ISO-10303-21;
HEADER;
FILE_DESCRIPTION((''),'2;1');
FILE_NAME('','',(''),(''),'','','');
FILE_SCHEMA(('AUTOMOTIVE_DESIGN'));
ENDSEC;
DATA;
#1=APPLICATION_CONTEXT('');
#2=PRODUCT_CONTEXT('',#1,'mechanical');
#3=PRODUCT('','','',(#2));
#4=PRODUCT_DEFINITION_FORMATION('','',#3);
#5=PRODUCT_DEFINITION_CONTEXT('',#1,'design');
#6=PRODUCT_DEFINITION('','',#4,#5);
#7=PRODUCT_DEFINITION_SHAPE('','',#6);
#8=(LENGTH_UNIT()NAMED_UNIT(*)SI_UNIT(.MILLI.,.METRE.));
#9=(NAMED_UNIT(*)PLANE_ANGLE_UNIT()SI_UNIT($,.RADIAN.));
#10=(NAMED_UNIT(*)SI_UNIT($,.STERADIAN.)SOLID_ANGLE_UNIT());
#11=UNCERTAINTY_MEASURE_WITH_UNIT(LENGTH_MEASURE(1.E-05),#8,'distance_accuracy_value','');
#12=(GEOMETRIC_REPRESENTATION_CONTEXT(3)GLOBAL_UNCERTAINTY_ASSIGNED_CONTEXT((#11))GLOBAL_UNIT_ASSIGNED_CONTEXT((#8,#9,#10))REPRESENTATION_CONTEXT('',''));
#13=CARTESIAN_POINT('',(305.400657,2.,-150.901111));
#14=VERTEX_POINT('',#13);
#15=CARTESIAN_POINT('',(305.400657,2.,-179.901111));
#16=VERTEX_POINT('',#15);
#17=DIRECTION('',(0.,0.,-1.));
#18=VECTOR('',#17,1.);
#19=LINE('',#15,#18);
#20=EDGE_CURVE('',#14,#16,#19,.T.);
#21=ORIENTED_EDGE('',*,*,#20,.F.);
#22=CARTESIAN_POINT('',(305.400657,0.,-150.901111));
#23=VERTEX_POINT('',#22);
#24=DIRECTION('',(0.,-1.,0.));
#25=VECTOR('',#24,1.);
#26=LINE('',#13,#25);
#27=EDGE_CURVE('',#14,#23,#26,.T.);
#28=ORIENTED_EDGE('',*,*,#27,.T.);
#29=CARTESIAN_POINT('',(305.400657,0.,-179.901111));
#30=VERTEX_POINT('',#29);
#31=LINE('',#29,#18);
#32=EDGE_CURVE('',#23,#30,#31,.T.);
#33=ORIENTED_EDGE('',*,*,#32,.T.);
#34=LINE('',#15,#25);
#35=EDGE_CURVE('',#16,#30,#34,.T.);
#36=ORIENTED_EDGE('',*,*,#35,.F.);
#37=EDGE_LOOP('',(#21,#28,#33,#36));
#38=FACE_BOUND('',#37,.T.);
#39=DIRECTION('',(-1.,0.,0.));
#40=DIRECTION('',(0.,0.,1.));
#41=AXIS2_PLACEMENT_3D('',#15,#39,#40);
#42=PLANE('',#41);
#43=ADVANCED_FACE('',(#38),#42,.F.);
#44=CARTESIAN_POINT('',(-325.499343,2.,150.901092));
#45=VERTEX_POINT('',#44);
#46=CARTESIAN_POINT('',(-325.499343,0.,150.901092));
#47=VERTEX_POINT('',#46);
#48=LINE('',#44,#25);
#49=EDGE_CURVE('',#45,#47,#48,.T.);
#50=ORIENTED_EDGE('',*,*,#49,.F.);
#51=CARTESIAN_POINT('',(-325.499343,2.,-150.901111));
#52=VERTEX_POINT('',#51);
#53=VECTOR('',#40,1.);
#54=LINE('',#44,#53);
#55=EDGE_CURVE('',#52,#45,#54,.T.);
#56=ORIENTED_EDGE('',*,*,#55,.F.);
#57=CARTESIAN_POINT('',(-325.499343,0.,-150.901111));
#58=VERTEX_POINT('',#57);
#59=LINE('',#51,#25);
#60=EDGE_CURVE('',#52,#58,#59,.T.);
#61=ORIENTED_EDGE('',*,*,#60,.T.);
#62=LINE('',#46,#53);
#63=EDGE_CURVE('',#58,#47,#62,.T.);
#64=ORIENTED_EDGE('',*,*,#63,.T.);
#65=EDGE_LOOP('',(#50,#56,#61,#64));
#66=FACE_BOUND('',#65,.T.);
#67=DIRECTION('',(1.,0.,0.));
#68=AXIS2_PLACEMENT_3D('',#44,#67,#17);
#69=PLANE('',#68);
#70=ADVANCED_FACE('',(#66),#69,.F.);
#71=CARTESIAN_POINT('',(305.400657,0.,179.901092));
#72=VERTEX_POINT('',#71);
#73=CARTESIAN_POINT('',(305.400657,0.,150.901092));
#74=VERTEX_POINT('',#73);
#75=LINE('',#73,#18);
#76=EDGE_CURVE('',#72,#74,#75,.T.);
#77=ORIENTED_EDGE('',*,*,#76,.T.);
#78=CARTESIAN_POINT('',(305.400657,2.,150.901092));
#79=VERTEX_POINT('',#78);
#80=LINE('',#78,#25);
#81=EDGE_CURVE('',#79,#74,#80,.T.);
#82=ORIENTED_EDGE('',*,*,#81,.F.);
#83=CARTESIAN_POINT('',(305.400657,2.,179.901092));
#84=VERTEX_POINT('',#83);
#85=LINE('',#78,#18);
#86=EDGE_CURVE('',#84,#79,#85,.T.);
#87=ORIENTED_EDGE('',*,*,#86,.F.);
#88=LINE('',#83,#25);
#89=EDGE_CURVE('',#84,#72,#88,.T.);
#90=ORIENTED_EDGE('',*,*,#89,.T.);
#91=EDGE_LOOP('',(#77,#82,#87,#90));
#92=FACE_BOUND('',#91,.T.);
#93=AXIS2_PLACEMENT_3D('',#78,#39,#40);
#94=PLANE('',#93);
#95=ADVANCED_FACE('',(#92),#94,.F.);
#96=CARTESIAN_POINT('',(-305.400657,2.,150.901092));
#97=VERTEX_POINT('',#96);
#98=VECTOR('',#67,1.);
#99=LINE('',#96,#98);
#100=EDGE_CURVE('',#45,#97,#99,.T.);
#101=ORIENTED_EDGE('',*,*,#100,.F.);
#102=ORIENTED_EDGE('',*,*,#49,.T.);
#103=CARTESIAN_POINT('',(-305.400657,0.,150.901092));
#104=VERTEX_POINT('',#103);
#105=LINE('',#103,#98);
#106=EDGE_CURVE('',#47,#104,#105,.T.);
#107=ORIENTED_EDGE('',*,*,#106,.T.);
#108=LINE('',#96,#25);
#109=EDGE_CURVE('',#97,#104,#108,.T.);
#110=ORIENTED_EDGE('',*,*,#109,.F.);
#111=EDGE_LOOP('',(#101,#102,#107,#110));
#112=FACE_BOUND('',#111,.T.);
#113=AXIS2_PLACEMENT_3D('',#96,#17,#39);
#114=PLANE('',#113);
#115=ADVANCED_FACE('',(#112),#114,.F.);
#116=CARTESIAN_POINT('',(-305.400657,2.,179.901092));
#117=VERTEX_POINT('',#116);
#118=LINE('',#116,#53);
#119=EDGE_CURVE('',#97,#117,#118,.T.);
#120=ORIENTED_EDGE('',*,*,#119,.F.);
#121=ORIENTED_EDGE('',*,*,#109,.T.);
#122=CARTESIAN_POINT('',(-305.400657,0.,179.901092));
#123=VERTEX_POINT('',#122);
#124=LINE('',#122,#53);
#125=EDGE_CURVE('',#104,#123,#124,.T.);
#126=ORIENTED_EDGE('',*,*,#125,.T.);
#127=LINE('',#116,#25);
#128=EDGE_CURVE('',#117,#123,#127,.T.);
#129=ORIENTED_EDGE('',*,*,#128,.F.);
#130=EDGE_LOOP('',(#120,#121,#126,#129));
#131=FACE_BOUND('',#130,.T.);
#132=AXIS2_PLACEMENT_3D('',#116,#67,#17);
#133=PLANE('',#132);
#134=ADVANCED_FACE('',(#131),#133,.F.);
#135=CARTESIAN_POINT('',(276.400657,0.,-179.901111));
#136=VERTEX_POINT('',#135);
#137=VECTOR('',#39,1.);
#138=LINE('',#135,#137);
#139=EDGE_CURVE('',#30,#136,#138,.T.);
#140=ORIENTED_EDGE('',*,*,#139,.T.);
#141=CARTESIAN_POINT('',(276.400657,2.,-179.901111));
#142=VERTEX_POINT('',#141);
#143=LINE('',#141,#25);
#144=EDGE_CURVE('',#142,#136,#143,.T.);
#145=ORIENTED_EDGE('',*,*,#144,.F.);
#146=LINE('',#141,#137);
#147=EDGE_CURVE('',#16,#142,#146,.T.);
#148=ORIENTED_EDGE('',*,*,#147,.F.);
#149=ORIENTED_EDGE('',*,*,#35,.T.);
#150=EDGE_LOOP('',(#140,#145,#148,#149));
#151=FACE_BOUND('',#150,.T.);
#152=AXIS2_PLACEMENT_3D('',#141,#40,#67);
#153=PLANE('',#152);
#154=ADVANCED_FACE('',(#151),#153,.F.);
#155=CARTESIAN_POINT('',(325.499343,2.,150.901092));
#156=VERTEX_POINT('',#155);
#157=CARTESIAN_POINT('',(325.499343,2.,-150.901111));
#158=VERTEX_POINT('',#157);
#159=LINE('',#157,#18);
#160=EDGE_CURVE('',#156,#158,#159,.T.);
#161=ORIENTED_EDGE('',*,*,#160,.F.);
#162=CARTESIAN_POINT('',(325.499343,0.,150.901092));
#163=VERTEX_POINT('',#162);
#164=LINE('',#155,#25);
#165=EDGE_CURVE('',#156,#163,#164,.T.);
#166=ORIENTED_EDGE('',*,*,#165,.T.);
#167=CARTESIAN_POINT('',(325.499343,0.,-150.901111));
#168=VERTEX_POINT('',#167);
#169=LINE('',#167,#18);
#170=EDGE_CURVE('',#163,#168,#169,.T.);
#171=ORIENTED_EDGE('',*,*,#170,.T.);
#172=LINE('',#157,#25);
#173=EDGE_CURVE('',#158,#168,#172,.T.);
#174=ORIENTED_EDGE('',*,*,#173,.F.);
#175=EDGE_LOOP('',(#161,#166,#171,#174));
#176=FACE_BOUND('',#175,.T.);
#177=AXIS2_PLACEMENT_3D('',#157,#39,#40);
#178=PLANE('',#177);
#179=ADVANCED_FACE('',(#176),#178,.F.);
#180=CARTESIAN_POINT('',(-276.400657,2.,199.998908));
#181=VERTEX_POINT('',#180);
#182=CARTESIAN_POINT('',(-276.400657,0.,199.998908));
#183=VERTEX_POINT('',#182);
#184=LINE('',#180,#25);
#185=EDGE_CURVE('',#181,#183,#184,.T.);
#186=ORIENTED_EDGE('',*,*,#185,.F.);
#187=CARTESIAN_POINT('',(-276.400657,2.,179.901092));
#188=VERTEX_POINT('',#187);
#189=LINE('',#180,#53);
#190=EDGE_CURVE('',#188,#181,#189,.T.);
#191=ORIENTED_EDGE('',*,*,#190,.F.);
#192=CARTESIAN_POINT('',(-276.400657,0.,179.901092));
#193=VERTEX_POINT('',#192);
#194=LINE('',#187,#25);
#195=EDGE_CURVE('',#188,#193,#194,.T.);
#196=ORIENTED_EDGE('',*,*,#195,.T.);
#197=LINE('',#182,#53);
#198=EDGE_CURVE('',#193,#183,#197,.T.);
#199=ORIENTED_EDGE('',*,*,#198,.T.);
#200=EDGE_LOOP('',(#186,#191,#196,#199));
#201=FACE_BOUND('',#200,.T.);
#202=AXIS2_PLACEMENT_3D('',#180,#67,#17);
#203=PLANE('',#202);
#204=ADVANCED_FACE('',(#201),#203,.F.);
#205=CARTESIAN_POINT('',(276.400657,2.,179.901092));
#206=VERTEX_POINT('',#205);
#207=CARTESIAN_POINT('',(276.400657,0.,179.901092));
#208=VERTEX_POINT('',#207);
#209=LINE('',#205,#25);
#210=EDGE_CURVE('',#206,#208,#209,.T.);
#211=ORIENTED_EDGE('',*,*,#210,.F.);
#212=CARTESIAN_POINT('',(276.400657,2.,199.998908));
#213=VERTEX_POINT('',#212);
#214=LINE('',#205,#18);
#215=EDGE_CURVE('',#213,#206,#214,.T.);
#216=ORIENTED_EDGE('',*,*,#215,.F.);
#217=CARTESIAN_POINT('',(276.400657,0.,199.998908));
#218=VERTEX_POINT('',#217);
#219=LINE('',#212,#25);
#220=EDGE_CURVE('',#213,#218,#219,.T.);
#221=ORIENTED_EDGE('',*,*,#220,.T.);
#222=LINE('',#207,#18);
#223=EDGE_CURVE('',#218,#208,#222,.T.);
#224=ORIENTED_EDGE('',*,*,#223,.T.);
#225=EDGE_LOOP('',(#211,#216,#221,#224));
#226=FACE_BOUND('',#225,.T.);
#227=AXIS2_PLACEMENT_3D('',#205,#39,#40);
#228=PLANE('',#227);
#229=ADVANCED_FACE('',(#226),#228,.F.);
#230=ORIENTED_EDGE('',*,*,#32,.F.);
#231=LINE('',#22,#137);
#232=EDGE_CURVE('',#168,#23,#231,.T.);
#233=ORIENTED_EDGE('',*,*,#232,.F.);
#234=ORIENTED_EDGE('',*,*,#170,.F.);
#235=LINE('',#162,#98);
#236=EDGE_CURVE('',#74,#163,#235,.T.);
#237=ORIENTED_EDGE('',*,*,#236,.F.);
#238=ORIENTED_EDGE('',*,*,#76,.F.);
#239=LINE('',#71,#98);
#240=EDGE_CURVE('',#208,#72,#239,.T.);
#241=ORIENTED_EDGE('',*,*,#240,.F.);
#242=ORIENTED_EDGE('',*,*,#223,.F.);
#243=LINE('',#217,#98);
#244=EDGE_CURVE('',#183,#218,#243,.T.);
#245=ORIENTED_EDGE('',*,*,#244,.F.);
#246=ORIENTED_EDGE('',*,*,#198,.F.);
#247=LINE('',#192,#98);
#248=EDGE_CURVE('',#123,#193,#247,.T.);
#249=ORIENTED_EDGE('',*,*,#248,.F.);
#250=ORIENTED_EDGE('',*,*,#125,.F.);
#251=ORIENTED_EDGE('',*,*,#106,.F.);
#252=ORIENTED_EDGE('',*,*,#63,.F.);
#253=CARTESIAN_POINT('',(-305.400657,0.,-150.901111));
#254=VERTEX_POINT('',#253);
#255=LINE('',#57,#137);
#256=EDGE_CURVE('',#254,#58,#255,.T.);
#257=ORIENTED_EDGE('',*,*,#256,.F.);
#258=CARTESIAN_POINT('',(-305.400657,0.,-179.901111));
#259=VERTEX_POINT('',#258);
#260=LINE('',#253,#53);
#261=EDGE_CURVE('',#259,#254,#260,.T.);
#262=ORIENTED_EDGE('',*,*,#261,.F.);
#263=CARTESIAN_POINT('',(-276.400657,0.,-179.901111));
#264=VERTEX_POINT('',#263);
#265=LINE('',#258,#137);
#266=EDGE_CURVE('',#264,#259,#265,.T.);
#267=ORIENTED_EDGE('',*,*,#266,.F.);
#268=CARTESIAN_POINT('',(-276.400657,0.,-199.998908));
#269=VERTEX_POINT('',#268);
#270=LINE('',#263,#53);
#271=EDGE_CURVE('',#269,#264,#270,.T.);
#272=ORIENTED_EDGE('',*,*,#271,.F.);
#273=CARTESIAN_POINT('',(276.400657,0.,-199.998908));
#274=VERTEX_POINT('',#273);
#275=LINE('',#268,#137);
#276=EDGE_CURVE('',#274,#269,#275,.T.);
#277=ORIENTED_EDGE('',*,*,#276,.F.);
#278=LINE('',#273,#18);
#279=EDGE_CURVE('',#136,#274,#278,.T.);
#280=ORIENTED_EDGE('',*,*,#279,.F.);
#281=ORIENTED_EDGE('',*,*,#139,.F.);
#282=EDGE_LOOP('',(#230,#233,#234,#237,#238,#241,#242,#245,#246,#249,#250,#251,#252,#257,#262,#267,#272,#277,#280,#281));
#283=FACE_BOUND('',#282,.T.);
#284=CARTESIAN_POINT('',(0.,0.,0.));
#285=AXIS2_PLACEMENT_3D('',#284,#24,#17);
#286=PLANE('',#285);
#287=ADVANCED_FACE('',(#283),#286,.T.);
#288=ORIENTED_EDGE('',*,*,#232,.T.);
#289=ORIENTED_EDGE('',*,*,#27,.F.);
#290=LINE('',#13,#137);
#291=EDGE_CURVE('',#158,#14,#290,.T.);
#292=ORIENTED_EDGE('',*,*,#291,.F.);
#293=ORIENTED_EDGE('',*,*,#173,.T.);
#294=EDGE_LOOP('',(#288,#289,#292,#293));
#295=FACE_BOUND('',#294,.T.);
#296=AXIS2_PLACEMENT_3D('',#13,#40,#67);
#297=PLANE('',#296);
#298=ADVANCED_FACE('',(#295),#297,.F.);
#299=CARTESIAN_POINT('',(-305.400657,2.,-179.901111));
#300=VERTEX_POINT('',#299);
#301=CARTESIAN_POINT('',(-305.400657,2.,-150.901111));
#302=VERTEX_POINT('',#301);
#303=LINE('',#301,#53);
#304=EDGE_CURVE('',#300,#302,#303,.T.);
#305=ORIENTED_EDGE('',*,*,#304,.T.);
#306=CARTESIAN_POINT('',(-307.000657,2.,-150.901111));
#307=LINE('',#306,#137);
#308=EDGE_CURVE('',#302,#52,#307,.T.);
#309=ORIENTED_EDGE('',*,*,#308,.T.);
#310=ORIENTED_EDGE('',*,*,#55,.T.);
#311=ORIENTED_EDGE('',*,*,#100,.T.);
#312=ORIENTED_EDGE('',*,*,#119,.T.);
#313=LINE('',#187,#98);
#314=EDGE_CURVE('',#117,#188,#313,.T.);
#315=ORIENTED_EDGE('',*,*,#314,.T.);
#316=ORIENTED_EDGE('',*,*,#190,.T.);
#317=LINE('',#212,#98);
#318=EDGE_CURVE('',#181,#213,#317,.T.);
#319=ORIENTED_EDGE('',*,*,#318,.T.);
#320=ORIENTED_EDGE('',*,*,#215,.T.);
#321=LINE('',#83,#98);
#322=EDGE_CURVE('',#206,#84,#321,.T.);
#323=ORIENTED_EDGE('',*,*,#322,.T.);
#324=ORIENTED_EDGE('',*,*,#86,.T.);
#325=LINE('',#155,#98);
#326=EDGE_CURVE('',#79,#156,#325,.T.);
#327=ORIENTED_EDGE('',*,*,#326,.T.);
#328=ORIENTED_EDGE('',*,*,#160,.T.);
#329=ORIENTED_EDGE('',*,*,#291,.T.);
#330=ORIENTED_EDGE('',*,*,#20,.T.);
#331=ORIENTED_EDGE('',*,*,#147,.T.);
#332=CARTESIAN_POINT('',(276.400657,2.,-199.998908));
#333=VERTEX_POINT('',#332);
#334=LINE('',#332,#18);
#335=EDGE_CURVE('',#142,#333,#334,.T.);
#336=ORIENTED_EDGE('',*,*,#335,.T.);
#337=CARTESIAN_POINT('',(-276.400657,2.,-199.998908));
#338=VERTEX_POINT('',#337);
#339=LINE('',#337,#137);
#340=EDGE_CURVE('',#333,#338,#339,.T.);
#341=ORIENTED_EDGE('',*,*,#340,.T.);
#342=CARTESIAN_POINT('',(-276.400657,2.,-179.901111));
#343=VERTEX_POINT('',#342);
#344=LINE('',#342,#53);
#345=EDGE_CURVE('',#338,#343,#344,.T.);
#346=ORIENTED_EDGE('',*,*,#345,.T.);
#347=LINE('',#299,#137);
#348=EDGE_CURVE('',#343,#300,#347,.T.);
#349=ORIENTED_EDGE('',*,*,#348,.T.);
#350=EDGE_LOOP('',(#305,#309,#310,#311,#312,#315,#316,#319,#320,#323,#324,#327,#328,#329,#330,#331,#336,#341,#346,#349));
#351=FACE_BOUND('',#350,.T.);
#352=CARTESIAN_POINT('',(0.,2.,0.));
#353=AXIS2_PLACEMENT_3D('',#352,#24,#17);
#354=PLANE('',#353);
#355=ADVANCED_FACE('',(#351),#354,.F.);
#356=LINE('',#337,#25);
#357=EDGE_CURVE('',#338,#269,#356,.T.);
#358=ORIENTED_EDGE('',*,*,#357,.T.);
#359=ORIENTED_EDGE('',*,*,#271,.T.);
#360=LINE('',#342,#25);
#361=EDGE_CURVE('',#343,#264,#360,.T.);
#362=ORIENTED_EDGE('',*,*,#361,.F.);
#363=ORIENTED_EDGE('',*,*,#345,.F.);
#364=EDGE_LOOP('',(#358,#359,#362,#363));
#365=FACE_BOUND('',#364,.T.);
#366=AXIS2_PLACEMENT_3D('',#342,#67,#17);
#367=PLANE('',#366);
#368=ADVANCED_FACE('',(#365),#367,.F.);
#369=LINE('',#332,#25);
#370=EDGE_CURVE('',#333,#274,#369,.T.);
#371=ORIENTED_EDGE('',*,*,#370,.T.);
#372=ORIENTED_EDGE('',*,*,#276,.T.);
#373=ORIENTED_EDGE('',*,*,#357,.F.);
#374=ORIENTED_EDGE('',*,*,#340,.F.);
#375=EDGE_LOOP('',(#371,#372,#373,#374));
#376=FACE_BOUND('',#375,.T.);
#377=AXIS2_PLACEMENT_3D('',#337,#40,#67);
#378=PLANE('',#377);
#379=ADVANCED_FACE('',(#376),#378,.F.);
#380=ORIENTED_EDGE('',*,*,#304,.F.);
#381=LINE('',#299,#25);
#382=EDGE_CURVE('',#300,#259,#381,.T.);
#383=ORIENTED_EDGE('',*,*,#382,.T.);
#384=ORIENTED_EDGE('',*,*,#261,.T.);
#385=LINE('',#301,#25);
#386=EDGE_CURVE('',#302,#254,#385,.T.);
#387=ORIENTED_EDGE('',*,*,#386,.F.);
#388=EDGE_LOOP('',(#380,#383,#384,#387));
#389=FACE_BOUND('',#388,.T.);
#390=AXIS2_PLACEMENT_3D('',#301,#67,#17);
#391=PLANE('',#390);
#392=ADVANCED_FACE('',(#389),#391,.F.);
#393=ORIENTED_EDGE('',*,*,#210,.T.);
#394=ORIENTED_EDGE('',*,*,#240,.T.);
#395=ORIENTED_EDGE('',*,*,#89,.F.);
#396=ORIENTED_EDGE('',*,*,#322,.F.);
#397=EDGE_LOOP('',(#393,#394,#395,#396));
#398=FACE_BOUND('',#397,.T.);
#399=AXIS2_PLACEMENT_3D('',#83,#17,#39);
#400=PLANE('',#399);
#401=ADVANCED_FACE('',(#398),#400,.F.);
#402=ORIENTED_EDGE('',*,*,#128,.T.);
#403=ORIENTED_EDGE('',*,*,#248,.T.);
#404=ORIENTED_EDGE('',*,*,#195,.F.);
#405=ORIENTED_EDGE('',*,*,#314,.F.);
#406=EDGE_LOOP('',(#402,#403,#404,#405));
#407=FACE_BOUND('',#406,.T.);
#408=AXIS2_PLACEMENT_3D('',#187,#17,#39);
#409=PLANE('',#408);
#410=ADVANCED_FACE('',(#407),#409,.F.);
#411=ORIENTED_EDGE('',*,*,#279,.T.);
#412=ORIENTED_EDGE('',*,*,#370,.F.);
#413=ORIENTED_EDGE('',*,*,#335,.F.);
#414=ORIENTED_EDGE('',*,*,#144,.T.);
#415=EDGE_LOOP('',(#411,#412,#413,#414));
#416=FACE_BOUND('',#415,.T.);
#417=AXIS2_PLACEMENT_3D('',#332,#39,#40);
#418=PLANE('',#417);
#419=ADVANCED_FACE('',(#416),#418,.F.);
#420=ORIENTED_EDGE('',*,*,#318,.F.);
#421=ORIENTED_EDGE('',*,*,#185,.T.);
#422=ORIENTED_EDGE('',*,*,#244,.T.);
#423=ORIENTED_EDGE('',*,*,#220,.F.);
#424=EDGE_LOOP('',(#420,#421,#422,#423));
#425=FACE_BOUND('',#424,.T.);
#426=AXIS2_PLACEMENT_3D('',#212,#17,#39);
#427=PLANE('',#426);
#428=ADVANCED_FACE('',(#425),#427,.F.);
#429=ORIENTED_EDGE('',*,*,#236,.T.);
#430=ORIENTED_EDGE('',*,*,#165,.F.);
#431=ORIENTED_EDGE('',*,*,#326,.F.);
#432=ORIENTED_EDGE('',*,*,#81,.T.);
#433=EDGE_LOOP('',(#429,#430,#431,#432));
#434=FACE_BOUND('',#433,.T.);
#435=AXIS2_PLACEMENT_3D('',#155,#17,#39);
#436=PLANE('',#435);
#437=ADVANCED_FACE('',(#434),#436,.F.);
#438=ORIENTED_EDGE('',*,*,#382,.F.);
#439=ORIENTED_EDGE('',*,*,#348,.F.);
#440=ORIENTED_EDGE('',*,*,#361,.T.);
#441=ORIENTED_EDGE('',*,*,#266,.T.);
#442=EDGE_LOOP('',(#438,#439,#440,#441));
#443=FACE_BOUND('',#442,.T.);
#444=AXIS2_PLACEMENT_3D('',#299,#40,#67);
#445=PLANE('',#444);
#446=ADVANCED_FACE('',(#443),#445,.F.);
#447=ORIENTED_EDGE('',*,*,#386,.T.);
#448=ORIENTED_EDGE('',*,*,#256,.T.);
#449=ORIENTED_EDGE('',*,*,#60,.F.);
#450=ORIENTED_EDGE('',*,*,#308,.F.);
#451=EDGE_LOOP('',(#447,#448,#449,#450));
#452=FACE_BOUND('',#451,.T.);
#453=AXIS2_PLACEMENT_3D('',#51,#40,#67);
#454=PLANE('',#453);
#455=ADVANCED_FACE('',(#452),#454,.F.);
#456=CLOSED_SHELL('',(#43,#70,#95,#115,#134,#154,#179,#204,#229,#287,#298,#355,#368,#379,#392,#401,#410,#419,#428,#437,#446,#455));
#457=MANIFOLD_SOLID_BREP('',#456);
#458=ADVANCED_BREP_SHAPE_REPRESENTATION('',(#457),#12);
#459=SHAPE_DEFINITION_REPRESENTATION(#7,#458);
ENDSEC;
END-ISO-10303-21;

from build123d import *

# Parameters (mm, degrees)
BOSS_EXTRUDE1_DEPTH = 2


with BuildPart() as part:
    # Sketch1 → Boss-Extrude1 (new body)
    with BuildSketch(Plane(origin=(0, 0, 0), x_dir=(1, 0, 0), z_dir=(0, 1, 0))):
        Polygon((-325.499342603, 150.901111002), (-307.000657397, 150.901111002), (-305.400657397, 150.901111002), (-305.400657397, 179.901111002), (-276.400657397, 179.901111002), (-276.400657397, 199.998908398), (276.400657397, 199.998908398), (276.400657397, 179.901111002), (305.400657397, 179.901111002), (305.400657397, 150.901111002), (325.499342603, 150.901111002), (325.499342603, -150.901091602), (305.400657397, -150.901091602), (305.400657397, -179.901091602), (276.400657397, -179.901091602), (276.400657397, -199.998908398), (-276.400657397, -199.998908398), (-276.400657397, -179.901091602), (-305.400657397, -179.901091602), (-305.400657397, -150.901091602), (-325.499342603, -150.901091602), align=None)
    extrude(amount=BOSS_EXTRUDE1_DEPTH)


solid = part.part
